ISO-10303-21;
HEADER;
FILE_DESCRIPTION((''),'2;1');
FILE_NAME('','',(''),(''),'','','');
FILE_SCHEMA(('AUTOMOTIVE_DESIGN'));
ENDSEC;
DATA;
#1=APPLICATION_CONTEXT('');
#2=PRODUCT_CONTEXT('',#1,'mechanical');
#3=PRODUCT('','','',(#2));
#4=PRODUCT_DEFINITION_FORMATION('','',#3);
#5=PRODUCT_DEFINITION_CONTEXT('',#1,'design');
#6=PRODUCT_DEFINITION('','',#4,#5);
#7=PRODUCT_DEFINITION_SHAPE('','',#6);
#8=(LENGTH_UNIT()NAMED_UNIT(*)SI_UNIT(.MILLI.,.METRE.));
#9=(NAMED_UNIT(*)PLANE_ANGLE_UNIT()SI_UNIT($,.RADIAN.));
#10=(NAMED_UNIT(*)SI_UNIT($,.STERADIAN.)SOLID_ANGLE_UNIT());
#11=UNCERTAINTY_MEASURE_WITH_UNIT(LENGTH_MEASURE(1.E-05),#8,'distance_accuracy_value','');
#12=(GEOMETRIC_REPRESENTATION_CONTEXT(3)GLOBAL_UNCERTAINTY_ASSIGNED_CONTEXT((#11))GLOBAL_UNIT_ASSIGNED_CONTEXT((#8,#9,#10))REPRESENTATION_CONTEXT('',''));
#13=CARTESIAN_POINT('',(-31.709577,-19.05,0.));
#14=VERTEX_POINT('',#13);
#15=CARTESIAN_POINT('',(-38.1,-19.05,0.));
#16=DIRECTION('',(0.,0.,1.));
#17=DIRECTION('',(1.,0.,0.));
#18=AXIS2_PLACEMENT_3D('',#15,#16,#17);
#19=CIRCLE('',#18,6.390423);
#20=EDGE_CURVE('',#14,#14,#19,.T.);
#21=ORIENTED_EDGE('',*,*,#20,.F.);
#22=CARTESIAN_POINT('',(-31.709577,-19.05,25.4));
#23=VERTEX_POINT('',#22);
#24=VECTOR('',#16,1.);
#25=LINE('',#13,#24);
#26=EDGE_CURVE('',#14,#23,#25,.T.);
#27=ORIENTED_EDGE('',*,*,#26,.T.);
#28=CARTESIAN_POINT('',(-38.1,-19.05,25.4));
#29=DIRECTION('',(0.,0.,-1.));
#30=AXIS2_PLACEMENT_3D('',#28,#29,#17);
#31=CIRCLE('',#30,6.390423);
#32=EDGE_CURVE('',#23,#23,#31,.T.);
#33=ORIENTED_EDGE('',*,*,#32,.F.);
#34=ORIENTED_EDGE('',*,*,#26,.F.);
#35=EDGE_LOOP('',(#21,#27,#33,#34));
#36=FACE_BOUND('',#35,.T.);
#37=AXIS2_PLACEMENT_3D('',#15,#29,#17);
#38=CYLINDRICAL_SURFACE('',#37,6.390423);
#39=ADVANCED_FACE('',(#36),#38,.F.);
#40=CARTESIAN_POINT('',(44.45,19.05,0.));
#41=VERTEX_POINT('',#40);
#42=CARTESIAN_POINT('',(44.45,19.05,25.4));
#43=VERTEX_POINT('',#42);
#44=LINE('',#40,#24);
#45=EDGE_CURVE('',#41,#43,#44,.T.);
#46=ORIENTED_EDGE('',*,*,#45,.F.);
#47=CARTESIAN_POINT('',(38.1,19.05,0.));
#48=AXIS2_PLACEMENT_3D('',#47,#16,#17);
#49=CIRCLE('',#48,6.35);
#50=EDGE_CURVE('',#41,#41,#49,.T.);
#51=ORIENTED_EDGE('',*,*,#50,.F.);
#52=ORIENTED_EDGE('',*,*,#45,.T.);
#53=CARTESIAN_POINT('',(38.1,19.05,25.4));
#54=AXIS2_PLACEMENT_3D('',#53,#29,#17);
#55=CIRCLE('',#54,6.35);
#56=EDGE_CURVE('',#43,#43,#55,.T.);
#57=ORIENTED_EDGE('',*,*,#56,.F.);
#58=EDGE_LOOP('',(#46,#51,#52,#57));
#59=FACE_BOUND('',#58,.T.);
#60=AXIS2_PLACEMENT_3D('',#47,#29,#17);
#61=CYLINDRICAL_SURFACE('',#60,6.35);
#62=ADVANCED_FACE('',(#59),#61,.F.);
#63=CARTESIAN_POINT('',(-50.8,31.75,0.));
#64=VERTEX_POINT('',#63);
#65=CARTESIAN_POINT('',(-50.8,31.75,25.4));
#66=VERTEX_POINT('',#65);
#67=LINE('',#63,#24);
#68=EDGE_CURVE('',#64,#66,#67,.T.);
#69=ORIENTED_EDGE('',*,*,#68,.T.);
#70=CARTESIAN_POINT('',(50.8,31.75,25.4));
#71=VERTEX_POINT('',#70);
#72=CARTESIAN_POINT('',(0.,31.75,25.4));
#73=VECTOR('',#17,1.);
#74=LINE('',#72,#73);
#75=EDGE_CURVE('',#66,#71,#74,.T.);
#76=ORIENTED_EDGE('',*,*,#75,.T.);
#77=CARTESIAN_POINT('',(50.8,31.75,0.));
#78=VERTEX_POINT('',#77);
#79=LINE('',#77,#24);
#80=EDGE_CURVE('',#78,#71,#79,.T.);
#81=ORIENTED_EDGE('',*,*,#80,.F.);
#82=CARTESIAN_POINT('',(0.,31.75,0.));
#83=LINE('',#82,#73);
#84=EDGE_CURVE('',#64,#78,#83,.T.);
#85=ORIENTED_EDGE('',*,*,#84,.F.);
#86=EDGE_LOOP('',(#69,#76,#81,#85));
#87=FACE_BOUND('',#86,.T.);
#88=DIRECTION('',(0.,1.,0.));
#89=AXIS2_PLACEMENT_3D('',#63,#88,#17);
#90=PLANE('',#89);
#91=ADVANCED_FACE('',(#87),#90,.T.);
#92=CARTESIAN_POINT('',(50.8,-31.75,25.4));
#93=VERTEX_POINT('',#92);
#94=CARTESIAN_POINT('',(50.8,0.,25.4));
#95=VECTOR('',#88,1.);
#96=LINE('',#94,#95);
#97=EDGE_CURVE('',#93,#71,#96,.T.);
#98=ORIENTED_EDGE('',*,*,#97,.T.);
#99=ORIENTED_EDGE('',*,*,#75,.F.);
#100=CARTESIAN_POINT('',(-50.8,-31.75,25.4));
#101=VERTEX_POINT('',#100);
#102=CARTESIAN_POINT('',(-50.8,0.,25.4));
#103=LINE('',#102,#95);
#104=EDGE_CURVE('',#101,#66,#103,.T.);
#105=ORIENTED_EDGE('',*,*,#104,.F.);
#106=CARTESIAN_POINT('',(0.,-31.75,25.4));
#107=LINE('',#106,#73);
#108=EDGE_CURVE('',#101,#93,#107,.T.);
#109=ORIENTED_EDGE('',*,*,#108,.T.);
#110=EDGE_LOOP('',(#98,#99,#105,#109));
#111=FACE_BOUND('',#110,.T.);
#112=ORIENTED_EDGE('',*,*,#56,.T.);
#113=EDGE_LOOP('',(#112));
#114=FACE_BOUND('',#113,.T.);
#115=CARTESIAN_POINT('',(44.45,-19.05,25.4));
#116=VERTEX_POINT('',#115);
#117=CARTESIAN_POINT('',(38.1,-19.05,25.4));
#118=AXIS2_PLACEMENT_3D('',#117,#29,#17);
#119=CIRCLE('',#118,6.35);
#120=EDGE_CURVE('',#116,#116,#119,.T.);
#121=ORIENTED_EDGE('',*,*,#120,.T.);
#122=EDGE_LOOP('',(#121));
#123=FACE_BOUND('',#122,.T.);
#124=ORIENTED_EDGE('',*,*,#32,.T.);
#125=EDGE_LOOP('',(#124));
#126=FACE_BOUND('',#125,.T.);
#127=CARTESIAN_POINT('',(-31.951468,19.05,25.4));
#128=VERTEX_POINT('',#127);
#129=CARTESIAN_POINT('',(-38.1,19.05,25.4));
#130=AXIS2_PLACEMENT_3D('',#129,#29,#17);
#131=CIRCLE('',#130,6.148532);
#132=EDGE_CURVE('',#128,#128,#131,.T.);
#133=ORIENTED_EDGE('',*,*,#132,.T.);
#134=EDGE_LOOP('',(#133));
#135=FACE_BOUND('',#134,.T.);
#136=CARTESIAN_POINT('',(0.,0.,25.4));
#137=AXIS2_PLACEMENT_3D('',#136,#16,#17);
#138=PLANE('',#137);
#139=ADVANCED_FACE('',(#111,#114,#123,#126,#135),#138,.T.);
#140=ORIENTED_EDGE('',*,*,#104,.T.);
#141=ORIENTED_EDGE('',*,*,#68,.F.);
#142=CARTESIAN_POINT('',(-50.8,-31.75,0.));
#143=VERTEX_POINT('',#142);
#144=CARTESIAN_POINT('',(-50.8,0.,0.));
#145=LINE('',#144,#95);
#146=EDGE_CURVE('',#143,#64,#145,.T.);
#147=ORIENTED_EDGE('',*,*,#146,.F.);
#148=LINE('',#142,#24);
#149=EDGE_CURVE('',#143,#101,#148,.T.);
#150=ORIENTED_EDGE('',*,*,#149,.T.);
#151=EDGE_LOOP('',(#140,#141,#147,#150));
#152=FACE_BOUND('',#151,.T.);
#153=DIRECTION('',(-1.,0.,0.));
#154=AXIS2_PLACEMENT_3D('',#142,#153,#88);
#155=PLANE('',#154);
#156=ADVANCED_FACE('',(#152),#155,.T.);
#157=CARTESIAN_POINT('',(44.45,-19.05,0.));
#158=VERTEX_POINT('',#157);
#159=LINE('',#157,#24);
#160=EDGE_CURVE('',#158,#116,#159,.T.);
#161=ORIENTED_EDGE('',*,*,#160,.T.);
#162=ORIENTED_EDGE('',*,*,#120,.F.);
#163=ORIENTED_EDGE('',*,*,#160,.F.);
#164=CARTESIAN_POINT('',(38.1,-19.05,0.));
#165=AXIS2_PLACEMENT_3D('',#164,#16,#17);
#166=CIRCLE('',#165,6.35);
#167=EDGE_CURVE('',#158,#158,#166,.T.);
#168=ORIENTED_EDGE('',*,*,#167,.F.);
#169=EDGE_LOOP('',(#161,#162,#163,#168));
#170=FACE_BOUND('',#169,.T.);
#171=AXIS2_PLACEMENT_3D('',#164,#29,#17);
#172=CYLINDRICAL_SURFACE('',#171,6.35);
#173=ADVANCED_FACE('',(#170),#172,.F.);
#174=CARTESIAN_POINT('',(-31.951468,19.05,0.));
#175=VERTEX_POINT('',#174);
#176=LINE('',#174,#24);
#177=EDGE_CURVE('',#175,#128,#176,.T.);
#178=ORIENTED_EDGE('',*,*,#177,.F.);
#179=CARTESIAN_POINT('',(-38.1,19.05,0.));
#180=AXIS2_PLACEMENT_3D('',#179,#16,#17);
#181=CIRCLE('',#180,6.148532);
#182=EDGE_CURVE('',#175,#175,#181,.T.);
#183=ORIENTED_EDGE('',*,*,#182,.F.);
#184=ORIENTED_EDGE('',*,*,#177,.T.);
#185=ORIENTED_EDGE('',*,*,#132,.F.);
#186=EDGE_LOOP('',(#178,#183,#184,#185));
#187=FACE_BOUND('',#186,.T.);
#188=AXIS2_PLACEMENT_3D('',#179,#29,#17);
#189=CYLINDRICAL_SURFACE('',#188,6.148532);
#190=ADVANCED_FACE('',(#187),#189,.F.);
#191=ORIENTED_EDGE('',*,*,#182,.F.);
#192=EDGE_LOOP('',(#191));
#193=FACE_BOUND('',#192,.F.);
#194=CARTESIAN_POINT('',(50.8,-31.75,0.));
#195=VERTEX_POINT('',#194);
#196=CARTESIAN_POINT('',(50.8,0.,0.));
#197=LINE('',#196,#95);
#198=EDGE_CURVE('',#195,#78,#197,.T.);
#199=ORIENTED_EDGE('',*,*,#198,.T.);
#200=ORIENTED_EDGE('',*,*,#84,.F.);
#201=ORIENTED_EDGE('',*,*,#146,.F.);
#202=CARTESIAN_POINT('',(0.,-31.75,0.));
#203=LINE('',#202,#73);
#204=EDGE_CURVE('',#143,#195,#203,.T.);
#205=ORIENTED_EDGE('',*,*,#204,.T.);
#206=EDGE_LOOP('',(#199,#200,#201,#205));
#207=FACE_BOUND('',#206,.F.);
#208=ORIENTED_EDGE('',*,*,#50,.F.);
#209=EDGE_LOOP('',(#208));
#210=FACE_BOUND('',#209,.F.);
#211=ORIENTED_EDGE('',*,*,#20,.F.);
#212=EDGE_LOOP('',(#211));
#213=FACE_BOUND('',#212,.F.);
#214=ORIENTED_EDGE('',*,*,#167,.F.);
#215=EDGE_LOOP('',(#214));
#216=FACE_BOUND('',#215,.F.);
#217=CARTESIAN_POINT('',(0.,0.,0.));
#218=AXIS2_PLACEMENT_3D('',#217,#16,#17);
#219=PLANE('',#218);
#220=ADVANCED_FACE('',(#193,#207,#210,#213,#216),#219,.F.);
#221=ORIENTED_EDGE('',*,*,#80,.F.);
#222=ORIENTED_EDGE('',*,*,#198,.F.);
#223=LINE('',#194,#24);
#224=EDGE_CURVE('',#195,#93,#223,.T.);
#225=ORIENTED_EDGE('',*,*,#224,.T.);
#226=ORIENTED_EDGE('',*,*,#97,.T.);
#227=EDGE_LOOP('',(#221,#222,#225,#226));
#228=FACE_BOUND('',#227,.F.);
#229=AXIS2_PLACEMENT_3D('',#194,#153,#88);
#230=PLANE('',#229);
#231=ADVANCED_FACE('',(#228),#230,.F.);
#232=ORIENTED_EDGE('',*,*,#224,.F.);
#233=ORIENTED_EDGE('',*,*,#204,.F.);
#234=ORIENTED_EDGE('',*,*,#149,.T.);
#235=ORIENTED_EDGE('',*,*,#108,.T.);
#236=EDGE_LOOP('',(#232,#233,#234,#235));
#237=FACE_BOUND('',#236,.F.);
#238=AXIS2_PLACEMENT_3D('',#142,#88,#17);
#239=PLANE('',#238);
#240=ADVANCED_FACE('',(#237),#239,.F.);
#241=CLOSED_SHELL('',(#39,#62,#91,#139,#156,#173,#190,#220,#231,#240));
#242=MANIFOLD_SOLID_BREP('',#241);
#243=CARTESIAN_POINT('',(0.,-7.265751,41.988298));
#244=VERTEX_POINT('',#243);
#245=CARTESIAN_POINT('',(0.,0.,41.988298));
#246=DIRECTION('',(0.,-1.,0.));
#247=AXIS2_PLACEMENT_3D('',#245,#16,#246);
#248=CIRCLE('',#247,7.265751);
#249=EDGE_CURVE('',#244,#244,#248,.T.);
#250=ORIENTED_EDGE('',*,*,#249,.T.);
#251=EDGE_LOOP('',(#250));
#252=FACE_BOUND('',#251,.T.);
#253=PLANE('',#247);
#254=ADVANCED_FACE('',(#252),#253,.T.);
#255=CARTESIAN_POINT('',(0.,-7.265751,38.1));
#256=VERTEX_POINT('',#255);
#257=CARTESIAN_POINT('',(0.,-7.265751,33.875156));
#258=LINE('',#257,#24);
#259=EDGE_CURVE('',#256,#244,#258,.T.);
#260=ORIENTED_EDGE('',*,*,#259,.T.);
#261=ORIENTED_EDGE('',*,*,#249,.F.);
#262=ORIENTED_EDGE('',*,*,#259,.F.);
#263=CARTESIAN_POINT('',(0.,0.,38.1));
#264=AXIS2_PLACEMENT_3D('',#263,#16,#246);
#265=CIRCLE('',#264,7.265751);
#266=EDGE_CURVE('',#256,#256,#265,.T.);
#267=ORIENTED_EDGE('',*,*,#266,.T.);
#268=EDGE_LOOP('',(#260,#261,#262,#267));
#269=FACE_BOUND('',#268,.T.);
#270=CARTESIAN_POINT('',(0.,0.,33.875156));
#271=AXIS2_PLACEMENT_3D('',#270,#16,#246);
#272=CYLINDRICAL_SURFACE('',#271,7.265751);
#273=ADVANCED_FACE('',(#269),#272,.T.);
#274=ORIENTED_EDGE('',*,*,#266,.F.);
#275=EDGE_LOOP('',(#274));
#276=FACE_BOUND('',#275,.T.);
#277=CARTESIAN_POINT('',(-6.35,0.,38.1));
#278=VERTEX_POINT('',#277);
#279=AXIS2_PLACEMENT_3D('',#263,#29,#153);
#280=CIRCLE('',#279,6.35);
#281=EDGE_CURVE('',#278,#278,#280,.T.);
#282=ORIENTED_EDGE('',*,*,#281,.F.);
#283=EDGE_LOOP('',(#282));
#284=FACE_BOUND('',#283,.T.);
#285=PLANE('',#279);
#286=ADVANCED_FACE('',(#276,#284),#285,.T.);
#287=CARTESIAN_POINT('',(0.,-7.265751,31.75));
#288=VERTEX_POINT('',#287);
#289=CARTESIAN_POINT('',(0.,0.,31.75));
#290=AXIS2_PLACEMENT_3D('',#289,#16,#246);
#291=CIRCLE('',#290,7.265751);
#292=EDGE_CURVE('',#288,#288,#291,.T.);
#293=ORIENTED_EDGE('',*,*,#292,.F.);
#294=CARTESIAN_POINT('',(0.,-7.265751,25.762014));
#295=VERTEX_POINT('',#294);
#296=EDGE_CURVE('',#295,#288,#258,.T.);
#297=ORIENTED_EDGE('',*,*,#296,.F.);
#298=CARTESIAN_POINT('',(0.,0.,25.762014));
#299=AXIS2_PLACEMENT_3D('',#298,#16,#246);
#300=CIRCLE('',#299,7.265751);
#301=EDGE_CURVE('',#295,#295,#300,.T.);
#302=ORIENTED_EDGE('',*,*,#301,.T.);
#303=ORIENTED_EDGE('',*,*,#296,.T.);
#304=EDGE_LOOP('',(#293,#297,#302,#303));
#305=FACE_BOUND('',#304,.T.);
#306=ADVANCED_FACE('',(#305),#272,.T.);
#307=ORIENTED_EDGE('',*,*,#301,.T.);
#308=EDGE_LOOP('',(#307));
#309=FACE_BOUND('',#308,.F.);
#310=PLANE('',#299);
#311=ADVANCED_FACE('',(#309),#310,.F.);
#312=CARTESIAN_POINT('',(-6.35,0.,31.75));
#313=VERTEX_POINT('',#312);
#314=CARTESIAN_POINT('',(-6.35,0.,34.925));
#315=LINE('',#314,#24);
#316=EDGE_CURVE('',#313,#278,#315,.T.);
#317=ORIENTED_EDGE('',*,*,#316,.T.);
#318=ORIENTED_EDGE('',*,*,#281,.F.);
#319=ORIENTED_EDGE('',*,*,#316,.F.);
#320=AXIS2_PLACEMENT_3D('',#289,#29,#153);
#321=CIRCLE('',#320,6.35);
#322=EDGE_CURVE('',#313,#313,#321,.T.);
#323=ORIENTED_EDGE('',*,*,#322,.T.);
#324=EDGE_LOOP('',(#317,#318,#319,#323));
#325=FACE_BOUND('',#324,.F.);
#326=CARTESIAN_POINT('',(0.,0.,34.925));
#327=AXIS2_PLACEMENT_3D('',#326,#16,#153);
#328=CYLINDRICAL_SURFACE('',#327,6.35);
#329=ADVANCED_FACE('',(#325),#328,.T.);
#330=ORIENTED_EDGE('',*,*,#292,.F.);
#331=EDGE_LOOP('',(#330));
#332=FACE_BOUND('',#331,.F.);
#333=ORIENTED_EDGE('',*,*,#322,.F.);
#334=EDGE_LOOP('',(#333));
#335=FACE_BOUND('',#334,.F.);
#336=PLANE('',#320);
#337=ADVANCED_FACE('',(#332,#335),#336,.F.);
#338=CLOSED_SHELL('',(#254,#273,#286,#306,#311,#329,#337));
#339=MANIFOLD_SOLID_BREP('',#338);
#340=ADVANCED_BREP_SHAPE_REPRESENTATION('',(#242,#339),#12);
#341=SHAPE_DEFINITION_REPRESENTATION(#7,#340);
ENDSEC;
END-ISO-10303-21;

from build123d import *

# Parameters (mm, degrees)
F0_W     = 101.6
F0_H     = 63.5
F1_DEPTH = 25.4
F2_R     = 6.35
F2_R_2   = 6.1485324999
F2_R_3   = 6.390422985
F3_DEPTH = 25.401
F4_W     = 7.2657507844
F4_H     = 16.2262842059
F6_W     = 4.8879137634
F6_H     = 6.35


with BuildPart() as f1:
    # F0 (on Top) → F1 (new body)
    with BuildSketch(Plane.XY):
        Rectangle(F0_W, F0_H)
    extrude(amount=F1_DEPTH)

    # F2 (on Top) → F3 (cut, through all)
    with BuildSketch(Plane.XY):
        with Locations((38.1, -19.05)):
            Circle(F2_R)
        with Locations((38.1, 19.05)):
            Circle(F2_R)
        with Locations((-38.1, 19.05)):
            Circle(F2_R_2)
        with Locations((-38.1, -19.05)):
            Circle(F2_R_3)
    extrude(amount=F3_DEPTH, mode=Mode.SUBTRACT)


with BuildPart() as f5:
    # F4 (on Right) → F5 (revolve)
    with BuildSketch(Plane.YZ):
        with Locations((-3.6328753922, 33.875156194)):
            Rectangle(F4_W, F4_H)
    revolve(axis=Axis((0, 0, 33.875156194), (0, 0, 1)))

    # F6 (on Front) → F7 (revolve, cut)
    with BuildSketch(Plane.XZ):
        with Locations((-8.7939568817, 34.925)):
            Rectangle(F6_W, F6_H)
    revolve(axis=Axis((0, 0, 41.9882982969), (0, 0, -1)), mode=Mode.SUBTRACT)


solid = Compound([f1.part, f5.part])
